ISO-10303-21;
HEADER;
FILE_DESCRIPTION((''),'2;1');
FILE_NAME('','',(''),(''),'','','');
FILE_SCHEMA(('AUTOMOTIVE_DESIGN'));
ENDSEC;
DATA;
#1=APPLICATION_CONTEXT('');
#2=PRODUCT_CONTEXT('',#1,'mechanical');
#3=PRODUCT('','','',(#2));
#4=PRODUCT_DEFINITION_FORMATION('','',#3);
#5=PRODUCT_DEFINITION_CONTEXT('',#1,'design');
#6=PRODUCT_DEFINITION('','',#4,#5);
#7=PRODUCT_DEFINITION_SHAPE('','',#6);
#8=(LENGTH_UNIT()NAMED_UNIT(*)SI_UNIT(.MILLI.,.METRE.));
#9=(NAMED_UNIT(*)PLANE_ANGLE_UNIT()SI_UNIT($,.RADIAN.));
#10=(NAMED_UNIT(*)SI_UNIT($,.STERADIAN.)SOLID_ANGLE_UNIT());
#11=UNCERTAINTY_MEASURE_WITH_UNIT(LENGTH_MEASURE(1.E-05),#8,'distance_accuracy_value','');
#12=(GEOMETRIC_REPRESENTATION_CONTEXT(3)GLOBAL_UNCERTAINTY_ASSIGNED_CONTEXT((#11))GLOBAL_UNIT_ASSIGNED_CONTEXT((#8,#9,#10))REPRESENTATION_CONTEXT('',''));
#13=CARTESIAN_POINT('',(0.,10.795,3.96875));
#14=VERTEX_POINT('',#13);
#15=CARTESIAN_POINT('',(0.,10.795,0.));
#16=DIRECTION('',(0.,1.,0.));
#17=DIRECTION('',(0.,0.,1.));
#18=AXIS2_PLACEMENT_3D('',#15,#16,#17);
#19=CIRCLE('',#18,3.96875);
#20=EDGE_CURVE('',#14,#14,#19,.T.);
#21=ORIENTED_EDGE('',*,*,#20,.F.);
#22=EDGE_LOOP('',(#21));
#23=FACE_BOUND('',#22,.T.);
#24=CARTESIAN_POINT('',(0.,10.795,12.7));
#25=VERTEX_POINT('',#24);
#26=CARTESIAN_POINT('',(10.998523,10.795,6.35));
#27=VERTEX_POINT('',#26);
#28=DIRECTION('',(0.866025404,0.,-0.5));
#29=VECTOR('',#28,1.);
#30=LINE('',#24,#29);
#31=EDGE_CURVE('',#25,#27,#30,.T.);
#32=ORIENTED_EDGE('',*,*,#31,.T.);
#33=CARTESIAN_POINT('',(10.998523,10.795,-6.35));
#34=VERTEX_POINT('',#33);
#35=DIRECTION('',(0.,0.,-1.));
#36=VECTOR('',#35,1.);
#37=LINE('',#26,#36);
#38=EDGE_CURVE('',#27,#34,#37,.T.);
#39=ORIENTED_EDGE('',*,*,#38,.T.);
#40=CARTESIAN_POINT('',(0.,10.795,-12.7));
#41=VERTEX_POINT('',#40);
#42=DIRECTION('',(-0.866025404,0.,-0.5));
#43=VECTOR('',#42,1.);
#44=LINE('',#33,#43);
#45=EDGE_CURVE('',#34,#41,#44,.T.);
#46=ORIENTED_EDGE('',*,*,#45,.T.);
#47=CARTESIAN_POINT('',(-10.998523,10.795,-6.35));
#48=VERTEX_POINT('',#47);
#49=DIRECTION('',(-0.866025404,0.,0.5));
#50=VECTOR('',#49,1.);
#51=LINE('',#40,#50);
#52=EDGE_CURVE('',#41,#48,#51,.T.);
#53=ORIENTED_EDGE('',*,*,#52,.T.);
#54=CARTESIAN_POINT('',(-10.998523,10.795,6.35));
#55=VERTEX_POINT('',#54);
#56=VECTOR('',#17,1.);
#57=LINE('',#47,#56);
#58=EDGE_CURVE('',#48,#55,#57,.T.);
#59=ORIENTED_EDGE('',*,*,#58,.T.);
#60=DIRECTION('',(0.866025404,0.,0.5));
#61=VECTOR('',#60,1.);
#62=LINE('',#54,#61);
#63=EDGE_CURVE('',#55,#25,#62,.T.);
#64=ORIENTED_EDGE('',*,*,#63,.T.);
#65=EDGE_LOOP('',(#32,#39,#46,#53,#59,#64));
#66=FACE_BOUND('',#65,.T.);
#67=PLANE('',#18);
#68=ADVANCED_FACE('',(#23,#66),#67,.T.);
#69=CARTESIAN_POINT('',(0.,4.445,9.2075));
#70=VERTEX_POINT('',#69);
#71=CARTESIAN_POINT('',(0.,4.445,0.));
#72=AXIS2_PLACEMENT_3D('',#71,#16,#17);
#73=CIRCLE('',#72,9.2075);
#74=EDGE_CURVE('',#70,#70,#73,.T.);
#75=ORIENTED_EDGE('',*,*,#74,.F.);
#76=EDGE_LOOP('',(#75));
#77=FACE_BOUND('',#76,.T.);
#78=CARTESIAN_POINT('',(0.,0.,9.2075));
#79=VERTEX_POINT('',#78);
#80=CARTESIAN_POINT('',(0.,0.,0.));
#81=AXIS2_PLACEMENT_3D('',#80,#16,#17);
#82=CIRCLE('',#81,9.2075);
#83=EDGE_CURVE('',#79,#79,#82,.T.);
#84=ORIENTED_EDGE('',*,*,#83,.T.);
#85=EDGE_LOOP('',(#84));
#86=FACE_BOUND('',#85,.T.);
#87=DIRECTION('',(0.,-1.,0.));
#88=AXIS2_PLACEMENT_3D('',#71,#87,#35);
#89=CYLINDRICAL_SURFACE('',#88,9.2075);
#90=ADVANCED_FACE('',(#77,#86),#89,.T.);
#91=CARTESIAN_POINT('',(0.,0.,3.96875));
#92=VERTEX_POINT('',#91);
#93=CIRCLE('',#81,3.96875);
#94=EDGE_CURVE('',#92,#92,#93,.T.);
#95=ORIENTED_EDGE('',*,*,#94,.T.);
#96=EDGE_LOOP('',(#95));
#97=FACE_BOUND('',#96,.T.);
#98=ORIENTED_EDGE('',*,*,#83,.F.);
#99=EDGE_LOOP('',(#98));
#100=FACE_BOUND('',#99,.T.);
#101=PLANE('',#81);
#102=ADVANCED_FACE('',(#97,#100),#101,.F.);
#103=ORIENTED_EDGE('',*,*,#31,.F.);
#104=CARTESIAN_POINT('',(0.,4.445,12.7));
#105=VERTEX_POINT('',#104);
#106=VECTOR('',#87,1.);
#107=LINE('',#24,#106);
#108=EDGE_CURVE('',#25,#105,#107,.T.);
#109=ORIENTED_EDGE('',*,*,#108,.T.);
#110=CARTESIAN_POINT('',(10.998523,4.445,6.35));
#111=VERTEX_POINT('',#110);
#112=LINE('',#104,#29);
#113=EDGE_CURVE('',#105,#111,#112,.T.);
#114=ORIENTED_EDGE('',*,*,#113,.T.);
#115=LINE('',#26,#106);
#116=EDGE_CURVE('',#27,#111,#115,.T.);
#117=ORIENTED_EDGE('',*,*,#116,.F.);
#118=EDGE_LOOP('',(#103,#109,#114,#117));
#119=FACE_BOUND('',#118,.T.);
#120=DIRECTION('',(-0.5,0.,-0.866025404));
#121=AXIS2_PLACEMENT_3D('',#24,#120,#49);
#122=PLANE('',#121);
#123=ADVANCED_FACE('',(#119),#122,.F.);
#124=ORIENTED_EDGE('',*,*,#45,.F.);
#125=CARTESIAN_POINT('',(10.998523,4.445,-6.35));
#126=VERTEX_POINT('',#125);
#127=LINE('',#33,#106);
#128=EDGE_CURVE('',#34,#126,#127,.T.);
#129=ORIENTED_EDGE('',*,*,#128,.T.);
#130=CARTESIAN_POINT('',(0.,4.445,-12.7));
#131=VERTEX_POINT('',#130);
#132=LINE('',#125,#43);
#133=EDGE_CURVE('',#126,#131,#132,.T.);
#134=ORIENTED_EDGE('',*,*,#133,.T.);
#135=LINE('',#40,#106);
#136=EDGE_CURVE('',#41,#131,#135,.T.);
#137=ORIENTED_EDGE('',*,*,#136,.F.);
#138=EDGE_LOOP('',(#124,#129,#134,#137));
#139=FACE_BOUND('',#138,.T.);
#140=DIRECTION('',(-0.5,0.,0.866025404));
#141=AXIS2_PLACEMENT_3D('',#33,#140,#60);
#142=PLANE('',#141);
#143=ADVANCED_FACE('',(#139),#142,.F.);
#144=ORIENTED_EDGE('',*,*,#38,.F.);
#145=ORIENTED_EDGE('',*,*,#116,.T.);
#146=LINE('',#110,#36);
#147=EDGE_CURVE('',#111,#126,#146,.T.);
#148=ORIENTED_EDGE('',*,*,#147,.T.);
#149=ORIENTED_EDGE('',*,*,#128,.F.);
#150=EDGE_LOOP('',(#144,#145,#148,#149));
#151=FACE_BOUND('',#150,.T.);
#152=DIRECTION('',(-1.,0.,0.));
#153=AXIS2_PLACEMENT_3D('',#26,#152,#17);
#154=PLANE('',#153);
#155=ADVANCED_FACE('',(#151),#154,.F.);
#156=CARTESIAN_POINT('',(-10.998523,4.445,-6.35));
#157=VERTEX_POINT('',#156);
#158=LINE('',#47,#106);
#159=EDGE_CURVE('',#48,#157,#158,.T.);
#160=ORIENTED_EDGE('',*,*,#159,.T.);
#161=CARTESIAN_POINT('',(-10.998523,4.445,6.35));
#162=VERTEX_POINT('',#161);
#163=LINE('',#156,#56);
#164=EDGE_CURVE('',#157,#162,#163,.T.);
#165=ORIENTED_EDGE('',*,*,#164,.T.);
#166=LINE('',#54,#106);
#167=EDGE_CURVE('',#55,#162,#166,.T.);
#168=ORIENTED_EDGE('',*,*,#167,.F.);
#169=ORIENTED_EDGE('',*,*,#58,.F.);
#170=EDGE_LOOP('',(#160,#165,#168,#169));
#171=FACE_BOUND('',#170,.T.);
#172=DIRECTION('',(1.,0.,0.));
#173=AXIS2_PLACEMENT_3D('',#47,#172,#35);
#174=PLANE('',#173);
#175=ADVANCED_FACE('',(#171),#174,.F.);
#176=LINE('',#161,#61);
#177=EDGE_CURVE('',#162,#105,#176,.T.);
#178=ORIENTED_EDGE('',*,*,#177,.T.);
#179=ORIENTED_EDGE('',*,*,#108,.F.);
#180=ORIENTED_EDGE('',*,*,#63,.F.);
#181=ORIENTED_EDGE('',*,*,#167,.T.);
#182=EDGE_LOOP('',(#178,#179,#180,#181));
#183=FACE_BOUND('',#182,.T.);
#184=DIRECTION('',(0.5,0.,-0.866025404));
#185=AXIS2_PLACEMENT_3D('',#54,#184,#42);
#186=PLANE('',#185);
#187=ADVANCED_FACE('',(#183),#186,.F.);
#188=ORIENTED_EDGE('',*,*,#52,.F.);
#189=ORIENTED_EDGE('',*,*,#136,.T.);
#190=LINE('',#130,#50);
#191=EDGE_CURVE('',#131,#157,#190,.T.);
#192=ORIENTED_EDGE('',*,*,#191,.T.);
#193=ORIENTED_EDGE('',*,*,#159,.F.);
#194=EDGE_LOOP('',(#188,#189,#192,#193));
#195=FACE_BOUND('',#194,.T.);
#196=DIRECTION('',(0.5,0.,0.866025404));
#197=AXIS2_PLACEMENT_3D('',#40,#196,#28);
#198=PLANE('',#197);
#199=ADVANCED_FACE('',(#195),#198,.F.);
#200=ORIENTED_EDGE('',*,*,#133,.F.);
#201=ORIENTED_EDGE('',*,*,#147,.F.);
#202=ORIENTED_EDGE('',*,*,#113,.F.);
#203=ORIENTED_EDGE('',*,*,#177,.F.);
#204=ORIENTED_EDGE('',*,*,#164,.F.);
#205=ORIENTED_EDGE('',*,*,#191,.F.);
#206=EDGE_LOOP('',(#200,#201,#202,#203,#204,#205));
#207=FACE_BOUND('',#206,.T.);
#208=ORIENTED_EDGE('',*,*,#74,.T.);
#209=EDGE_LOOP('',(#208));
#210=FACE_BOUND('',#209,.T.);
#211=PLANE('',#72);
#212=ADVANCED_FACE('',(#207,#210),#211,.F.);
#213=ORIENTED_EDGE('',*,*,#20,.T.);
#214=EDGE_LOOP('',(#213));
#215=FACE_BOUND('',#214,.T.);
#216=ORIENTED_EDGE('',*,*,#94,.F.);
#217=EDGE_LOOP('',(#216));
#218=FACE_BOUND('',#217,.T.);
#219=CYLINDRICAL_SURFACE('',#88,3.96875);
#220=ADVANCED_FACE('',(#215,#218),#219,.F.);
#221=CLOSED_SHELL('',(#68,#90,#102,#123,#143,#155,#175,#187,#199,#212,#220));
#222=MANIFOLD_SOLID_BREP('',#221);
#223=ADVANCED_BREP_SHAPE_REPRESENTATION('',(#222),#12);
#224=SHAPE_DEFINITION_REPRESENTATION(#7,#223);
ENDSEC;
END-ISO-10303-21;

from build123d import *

# Parameters (mm, degrees)
SKETCH1_R           = 9.2075
SKETCH1_R_2         = 3.96875
BOSS_EXTRUDE1_DEPTH = 4.445
SKETCH2_R           = 3.96875
BOSS_EXTRUDE2_DEPTH = 6.35


with BuildPart() as part:
    # Sketch1 → Boss-Extrude1 (new body)
    with BuildSketch(Plane(origin=(0, 0, 0), x_dir=(1, 0, 0), z_dir=(0, 1, 0))):
        with Locations(Location((0, 0, 0), (0, 0, 270))):  # turned: the seam where the file's is
            Circle(SKETCH1_R)
        with Locations(Location((0, 0, 0), (0, 0, 270))):  # turned: the seam where the file's is
            Circle(SKETCH1_R_2, mode=Mode.SUBTRACT)
    extrude(amount=BOSS_EXTRUDE1_DEPTH)

    # Sketch2 → Boss-Extrude2 (add)
    with BuildSketch(Plane(origin=(0, 4.445, 0), x_dir=(1, 0, 0), z_dir=(0, 1, 0))):
        Polygon((0, 12.7), (-10.998522628, 6.35), (-10.998522628, -6.35), (0, -12.7), (10.998522628, -6.35), (10.998522628, 6.35), align=None)
        with Locations(Location((0, 0, 0), (0, 0, 270))):  # turned: the seam where the file's is
            Circle(SKETCH2_R, mode=Mode.SUBTRACT)
    extrude(amount=BOSS_EXTRUDE2_DEPTH)


solid = part.part
